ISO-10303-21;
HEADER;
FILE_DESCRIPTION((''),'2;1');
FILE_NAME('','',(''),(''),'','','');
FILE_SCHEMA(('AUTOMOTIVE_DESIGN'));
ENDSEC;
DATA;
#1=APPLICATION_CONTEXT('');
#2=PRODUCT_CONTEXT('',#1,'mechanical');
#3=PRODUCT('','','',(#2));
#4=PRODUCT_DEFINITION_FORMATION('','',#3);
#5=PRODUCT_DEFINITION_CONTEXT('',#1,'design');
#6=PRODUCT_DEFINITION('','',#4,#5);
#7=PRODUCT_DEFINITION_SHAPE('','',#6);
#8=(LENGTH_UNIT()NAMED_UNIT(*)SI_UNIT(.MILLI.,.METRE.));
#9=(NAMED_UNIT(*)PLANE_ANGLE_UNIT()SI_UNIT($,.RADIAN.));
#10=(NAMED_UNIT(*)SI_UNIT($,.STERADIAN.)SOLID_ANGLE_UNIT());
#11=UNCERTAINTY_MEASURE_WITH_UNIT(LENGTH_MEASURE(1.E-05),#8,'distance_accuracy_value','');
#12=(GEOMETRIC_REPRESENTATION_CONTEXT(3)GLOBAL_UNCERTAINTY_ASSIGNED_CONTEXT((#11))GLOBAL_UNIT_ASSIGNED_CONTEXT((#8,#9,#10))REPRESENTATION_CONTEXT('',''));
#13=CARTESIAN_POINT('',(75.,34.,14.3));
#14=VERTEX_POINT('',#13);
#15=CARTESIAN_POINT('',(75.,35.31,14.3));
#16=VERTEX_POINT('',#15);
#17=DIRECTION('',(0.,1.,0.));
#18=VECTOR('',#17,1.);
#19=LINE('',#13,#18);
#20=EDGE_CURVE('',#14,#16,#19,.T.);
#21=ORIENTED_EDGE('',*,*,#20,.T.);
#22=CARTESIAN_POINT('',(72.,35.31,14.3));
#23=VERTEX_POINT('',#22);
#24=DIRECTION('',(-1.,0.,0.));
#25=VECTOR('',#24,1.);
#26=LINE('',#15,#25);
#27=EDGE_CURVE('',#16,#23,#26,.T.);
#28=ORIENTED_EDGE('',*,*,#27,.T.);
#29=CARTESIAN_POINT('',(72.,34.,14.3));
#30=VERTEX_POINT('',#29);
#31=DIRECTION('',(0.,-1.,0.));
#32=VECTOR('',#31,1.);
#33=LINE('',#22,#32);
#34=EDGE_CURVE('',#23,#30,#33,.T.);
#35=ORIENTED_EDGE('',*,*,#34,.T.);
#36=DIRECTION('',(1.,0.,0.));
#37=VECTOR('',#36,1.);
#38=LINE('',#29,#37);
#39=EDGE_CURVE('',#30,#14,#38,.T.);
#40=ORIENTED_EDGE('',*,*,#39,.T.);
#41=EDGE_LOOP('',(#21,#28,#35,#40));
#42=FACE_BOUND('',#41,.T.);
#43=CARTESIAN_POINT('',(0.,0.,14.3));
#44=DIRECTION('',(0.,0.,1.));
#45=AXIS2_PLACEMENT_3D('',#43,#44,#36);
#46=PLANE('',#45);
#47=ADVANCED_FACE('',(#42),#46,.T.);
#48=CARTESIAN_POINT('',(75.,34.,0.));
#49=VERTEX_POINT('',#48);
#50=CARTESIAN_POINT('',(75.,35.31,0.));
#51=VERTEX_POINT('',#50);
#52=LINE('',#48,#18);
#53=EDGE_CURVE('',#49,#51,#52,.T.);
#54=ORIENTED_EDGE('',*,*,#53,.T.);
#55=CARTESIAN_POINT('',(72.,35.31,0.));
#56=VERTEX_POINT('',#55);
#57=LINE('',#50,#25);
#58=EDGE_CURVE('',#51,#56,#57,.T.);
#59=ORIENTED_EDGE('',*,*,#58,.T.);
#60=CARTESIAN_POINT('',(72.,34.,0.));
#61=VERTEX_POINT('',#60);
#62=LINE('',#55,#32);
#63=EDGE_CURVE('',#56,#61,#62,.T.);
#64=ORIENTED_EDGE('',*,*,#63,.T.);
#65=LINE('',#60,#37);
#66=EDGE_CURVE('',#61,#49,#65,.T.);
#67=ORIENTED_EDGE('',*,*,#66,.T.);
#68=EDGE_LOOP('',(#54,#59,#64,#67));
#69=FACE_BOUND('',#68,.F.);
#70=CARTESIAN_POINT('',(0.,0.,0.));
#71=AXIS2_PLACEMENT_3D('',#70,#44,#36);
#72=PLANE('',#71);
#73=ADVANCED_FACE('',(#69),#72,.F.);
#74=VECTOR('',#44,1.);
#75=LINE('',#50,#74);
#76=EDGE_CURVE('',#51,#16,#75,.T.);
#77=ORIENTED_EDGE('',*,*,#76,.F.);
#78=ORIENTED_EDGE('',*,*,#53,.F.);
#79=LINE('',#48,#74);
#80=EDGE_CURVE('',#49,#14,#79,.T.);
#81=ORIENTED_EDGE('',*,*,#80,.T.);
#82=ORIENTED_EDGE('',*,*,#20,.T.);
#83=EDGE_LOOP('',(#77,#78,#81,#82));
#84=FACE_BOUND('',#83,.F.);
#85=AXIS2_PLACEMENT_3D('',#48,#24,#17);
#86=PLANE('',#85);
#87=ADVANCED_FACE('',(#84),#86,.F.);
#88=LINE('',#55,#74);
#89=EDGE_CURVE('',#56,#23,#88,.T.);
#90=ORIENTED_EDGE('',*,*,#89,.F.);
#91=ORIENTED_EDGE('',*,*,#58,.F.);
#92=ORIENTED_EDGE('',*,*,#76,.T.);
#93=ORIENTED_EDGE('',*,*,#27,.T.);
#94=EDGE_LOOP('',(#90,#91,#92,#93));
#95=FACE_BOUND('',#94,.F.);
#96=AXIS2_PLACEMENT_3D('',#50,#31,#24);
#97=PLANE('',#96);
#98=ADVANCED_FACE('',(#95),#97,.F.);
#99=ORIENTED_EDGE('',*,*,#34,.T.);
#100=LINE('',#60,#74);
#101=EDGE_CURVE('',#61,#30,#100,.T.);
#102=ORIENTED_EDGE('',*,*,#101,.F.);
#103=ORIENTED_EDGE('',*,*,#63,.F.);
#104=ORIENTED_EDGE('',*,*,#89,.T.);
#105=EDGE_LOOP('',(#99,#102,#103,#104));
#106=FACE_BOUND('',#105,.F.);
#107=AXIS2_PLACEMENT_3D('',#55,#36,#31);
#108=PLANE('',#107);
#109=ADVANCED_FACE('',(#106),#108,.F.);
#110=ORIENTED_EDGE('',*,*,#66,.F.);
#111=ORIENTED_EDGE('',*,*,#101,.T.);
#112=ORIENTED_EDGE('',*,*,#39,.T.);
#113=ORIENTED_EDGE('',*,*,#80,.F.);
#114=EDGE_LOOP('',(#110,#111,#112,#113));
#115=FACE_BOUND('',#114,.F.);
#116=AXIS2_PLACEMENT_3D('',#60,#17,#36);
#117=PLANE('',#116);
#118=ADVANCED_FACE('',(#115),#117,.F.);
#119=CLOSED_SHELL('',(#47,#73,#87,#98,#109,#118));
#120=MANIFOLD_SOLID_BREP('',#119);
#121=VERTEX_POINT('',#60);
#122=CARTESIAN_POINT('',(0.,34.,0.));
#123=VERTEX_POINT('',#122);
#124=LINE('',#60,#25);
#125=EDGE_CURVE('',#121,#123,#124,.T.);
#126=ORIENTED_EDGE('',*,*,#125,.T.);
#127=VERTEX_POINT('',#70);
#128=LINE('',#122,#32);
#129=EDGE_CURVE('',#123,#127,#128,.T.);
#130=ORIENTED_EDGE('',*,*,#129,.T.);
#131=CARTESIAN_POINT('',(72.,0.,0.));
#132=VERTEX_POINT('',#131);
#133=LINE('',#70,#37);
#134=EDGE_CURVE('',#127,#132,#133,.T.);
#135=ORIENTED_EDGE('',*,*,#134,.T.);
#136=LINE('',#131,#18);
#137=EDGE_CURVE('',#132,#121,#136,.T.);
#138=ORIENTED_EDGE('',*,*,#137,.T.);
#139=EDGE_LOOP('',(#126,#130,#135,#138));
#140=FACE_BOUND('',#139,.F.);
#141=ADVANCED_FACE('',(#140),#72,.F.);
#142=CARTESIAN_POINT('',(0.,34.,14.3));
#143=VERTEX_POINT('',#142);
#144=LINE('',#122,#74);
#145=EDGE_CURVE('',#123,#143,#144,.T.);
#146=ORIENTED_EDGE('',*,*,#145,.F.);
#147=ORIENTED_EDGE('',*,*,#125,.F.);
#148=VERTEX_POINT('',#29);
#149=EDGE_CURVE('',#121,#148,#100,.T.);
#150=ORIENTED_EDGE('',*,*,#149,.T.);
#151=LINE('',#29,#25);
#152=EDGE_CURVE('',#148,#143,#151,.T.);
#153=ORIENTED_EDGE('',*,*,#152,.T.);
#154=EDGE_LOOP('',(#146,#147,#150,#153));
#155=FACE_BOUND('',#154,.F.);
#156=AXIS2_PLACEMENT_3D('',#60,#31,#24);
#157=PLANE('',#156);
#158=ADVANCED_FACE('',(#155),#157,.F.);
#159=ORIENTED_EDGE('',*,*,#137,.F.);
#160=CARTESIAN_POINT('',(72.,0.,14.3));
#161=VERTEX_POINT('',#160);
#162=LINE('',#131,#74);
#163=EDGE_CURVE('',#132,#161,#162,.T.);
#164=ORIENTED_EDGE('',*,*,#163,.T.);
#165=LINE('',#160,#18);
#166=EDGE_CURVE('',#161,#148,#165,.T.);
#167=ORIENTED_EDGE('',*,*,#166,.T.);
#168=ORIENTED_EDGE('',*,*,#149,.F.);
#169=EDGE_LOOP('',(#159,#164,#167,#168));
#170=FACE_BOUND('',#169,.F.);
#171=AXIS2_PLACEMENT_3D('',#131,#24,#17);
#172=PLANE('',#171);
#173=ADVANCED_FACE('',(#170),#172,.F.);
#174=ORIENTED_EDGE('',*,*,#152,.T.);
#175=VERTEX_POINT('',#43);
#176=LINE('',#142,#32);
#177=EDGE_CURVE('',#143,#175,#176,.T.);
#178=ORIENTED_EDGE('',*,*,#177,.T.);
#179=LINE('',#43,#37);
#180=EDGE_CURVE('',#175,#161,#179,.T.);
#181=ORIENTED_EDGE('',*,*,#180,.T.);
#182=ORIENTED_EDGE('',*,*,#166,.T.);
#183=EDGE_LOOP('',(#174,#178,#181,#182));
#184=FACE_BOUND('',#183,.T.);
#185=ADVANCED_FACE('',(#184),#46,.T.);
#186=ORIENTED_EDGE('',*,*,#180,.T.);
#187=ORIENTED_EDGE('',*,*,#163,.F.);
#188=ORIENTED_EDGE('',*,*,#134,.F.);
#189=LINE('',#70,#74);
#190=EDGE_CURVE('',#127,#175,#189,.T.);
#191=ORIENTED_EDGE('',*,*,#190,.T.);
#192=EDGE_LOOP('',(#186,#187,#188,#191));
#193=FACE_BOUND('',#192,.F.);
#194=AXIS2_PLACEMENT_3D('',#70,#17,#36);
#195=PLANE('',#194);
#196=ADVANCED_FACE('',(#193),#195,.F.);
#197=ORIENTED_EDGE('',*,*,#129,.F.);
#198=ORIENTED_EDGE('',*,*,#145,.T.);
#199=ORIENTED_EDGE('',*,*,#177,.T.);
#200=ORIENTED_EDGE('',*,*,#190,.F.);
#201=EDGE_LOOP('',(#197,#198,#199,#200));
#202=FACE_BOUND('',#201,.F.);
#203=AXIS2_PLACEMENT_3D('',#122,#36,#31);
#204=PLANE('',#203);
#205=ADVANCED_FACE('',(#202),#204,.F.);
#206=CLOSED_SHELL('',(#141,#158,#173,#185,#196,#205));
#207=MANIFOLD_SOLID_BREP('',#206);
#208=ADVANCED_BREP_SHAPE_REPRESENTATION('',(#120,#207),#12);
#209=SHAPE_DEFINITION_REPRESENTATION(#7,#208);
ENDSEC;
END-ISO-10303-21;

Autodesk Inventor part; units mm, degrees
ref_plane "YZ Plane" through (0, 0, 0) normal (1, 0, 0) x (0, 1, 0)
ref_plane "XZ Plane" through (0, 0, 0) normal (0, 1, 0) x (-1, 0, 0)
ref_plane "XY Plane" through (0, 0, 0) normal (0, 0, 1) x (1, 0, 0)
sketch "Sketch1" plane through (0, 0, 0) normal (0, 0, 1) x (1, 0, 0)
  line L0 (0, 0) -> (72, 0)
  line L1 (72, 0) -> (72, 34)
  line L2 (72, 34) -> (0, 34)
  line L3 (0, 34) -> (0, 0)
  line L4 (72, 34) -> (75, 34)
  line L5 (75, 34) -> (75, 35.31)
  line L6 (75, 35.31) -> (72, 35.31)
  line L7 (72, 35.31) -> (72, 34)
  dimension "d0" = 34
  dimension "d1" = 72
  dimension "d2" = 35.31
  dimension "d3" = 75
extrude "Extrusion1" add sketch "Sketch1" along normal blind 14.3
properties part number "battery"
